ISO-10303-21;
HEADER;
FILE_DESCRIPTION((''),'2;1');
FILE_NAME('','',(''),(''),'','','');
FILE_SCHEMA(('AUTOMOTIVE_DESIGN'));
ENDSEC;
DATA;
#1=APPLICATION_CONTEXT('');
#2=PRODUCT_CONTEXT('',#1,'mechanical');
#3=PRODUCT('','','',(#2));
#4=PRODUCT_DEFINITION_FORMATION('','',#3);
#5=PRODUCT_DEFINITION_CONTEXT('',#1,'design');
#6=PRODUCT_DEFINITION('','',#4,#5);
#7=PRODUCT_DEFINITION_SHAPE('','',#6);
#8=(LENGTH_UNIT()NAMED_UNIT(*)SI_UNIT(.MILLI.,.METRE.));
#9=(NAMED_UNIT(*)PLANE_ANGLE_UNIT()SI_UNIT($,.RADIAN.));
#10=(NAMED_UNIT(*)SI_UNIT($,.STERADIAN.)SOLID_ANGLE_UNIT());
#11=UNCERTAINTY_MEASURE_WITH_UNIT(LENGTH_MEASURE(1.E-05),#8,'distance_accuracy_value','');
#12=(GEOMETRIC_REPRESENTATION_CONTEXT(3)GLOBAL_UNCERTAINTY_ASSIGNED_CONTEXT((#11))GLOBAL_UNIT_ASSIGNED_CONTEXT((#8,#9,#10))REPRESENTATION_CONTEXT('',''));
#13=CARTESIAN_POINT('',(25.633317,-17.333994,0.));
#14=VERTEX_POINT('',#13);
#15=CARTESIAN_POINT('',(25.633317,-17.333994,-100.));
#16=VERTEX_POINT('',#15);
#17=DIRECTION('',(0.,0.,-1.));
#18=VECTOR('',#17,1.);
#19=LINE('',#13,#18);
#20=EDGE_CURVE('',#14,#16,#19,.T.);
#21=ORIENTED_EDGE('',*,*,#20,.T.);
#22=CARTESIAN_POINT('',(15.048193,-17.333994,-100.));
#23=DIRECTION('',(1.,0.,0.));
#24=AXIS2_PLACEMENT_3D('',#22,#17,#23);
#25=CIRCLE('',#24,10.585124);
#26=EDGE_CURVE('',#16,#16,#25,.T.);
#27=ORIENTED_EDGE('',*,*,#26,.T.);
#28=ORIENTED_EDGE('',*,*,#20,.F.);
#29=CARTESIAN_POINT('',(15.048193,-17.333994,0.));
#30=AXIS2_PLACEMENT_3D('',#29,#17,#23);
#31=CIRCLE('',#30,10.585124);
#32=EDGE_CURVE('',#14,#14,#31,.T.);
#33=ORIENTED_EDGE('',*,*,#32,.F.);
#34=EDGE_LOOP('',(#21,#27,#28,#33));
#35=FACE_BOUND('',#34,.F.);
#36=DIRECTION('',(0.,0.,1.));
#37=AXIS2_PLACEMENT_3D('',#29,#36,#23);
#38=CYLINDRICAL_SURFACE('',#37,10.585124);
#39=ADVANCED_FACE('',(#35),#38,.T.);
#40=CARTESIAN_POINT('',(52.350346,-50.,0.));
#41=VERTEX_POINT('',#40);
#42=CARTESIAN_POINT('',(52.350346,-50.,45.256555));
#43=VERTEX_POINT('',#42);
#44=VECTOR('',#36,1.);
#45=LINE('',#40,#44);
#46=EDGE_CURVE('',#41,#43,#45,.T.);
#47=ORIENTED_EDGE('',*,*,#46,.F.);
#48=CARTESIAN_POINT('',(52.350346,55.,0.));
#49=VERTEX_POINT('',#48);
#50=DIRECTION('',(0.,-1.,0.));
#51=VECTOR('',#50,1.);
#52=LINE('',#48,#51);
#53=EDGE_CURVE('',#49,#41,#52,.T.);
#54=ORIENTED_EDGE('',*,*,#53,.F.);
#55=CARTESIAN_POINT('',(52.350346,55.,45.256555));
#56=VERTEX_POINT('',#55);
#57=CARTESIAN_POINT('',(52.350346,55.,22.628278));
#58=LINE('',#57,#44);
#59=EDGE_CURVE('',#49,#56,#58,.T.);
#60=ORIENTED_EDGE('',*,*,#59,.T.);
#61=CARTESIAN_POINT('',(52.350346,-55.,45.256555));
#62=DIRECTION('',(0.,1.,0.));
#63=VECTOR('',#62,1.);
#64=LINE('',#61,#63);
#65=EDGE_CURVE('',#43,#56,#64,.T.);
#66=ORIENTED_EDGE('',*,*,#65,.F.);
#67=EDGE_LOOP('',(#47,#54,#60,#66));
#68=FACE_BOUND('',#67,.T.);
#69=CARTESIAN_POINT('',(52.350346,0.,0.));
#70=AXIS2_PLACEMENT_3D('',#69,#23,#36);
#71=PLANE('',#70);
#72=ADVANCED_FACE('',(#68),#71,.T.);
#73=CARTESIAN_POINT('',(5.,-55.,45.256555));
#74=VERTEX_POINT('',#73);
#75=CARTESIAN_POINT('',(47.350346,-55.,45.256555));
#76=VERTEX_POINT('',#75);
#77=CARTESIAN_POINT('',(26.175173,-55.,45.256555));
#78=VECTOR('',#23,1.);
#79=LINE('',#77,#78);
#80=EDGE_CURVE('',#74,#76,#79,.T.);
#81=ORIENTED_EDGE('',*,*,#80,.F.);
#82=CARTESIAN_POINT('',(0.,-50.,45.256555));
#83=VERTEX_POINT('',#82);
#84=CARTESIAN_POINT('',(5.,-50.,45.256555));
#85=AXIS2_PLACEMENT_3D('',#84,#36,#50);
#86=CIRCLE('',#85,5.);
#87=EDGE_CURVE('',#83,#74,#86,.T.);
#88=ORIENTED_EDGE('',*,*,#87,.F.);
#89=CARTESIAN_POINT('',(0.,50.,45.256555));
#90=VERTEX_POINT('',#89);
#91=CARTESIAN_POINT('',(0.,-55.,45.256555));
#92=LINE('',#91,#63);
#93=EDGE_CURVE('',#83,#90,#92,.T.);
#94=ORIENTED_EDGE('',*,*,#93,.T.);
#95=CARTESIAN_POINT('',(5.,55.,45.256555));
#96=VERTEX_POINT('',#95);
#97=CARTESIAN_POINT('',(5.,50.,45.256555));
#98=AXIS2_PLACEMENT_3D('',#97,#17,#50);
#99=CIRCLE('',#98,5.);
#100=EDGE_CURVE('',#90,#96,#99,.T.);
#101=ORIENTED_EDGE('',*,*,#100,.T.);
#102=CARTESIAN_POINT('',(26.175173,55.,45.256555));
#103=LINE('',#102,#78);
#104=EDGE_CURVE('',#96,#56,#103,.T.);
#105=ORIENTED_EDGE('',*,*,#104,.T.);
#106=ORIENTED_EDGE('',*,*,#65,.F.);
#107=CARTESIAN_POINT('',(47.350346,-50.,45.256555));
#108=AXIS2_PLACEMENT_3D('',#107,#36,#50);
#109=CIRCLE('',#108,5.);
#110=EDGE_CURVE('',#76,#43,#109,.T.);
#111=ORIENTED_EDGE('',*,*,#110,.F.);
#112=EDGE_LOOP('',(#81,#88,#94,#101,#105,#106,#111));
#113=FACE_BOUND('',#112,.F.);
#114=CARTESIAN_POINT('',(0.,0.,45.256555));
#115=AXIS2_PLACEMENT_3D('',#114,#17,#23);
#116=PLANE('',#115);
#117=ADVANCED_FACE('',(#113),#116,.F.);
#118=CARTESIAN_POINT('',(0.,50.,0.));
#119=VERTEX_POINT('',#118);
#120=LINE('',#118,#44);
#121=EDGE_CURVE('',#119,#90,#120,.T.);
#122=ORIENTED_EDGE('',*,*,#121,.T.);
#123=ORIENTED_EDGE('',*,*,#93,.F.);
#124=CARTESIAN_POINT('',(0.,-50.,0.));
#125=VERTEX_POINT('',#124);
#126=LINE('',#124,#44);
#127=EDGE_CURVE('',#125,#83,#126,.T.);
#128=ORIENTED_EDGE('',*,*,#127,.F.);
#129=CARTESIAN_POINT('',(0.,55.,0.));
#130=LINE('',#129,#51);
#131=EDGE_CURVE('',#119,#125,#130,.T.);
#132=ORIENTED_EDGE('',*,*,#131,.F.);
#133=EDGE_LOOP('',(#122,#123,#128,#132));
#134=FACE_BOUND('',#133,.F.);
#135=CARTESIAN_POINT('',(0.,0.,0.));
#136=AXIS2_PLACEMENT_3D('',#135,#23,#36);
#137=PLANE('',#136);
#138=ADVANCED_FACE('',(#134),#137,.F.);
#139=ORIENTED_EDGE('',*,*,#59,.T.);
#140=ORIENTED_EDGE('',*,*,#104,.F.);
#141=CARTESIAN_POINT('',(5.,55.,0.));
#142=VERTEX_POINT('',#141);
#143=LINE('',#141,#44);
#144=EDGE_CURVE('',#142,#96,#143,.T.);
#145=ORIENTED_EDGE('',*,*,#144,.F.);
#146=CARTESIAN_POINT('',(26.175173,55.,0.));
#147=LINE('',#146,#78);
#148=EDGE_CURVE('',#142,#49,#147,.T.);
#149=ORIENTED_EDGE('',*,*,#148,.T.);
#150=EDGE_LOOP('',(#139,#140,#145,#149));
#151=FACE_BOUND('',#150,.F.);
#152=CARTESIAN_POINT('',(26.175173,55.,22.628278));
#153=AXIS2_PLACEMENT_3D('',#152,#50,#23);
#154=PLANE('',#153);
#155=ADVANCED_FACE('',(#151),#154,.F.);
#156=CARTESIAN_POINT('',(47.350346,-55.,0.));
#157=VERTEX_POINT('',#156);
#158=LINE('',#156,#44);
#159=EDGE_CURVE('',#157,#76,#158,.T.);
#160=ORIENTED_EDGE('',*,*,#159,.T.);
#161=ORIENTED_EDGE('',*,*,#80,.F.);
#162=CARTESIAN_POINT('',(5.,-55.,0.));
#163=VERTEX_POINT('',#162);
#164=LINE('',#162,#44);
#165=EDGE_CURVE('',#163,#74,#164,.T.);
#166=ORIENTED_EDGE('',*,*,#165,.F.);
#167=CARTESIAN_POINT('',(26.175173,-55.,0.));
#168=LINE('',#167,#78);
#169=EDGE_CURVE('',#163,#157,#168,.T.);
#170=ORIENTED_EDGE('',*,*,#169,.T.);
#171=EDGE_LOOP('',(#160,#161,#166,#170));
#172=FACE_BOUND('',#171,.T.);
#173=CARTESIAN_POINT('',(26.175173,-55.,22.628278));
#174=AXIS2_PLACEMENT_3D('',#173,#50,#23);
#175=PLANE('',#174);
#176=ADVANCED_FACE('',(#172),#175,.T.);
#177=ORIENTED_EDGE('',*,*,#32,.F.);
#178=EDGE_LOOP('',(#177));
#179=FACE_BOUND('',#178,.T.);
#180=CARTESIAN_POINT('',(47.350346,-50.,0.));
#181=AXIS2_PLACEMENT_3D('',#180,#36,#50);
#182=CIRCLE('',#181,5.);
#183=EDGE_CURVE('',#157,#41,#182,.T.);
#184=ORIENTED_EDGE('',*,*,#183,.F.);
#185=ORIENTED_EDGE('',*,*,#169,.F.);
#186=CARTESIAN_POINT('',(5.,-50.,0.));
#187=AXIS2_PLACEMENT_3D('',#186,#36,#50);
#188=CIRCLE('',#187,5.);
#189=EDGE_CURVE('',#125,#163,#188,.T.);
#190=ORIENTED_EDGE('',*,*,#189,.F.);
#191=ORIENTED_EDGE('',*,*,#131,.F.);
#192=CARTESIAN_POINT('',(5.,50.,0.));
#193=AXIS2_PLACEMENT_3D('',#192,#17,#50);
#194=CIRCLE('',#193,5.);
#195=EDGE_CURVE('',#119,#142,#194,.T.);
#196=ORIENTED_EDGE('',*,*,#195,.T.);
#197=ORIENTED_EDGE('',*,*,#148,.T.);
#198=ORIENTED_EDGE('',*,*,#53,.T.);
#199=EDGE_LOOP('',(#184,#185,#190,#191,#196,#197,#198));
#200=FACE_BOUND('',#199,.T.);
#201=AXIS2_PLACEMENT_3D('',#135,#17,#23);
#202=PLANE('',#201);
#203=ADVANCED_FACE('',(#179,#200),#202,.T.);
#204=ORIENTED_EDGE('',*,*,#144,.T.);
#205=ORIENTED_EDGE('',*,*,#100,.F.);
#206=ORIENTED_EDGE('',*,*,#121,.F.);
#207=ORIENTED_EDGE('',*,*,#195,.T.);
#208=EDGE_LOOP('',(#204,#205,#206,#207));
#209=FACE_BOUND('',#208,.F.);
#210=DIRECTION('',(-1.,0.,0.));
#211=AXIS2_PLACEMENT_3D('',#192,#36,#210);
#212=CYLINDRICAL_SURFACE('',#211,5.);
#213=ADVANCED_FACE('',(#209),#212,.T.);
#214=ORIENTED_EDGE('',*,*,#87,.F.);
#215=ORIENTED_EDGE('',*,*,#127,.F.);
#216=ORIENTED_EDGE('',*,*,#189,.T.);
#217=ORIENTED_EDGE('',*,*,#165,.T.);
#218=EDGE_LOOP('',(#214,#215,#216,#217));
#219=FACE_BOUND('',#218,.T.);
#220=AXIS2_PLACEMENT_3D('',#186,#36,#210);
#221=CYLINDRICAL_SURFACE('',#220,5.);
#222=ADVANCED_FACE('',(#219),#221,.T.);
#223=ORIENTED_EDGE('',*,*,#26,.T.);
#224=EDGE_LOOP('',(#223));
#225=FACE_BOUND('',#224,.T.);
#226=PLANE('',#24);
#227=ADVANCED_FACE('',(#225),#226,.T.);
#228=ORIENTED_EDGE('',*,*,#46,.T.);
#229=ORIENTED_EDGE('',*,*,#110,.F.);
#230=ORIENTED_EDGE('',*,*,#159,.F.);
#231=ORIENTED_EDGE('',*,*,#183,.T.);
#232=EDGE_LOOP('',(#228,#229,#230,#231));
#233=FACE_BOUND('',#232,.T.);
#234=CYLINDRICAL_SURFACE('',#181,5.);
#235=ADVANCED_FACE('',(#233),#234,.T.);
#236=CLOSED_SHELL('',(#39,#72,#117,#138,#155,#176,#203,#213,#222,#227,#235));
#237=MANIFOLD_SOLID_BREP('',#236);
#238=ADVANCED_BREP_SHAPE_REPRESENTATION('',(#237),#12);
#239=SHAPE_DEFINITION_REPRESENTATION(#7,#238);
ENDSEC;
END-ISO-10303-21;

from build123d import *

# Parameters (mm, degrees)
F0_W     = 52.350345999
F0_H     = 45.2565550804
F1_DEPTH = 55
F2_R     = 5
F3_R     = 10.5851243618
F4_DEPTH = 100


with BuildPart() as f1:
    # F0 (on Front) → F1 (new body, symmetric)
    with BuildSketch(Plane.XZ):
        with Locations((26.1751729995, 22.6282775402)):
            Rectangle(F0_W, F0_H)
    extrude(amount=F1_DEPTH, both=True)

    # F2
    f2_edges = [f1.edges().sort_by_distance(p)[0] for p in [
        (52.350346, -55, 22.628278),
        (0, -55, 22.628278),
        (0, 55, 22.628278),
    ]]
    fillet(f2_edges, radius=F2_R)

    # F3 (on face) → F4 (join)
    with BuildSketch(Plane(origin=(0, 0, 0), x_dir=(1, 0, 0), z_dir=(0, 0, -1))):
        with Locations((15.048192814, 17.3339936882)):
            Circle(F3_R)
    extrude(amount=F4_DEPTH)


solid = f1.part
